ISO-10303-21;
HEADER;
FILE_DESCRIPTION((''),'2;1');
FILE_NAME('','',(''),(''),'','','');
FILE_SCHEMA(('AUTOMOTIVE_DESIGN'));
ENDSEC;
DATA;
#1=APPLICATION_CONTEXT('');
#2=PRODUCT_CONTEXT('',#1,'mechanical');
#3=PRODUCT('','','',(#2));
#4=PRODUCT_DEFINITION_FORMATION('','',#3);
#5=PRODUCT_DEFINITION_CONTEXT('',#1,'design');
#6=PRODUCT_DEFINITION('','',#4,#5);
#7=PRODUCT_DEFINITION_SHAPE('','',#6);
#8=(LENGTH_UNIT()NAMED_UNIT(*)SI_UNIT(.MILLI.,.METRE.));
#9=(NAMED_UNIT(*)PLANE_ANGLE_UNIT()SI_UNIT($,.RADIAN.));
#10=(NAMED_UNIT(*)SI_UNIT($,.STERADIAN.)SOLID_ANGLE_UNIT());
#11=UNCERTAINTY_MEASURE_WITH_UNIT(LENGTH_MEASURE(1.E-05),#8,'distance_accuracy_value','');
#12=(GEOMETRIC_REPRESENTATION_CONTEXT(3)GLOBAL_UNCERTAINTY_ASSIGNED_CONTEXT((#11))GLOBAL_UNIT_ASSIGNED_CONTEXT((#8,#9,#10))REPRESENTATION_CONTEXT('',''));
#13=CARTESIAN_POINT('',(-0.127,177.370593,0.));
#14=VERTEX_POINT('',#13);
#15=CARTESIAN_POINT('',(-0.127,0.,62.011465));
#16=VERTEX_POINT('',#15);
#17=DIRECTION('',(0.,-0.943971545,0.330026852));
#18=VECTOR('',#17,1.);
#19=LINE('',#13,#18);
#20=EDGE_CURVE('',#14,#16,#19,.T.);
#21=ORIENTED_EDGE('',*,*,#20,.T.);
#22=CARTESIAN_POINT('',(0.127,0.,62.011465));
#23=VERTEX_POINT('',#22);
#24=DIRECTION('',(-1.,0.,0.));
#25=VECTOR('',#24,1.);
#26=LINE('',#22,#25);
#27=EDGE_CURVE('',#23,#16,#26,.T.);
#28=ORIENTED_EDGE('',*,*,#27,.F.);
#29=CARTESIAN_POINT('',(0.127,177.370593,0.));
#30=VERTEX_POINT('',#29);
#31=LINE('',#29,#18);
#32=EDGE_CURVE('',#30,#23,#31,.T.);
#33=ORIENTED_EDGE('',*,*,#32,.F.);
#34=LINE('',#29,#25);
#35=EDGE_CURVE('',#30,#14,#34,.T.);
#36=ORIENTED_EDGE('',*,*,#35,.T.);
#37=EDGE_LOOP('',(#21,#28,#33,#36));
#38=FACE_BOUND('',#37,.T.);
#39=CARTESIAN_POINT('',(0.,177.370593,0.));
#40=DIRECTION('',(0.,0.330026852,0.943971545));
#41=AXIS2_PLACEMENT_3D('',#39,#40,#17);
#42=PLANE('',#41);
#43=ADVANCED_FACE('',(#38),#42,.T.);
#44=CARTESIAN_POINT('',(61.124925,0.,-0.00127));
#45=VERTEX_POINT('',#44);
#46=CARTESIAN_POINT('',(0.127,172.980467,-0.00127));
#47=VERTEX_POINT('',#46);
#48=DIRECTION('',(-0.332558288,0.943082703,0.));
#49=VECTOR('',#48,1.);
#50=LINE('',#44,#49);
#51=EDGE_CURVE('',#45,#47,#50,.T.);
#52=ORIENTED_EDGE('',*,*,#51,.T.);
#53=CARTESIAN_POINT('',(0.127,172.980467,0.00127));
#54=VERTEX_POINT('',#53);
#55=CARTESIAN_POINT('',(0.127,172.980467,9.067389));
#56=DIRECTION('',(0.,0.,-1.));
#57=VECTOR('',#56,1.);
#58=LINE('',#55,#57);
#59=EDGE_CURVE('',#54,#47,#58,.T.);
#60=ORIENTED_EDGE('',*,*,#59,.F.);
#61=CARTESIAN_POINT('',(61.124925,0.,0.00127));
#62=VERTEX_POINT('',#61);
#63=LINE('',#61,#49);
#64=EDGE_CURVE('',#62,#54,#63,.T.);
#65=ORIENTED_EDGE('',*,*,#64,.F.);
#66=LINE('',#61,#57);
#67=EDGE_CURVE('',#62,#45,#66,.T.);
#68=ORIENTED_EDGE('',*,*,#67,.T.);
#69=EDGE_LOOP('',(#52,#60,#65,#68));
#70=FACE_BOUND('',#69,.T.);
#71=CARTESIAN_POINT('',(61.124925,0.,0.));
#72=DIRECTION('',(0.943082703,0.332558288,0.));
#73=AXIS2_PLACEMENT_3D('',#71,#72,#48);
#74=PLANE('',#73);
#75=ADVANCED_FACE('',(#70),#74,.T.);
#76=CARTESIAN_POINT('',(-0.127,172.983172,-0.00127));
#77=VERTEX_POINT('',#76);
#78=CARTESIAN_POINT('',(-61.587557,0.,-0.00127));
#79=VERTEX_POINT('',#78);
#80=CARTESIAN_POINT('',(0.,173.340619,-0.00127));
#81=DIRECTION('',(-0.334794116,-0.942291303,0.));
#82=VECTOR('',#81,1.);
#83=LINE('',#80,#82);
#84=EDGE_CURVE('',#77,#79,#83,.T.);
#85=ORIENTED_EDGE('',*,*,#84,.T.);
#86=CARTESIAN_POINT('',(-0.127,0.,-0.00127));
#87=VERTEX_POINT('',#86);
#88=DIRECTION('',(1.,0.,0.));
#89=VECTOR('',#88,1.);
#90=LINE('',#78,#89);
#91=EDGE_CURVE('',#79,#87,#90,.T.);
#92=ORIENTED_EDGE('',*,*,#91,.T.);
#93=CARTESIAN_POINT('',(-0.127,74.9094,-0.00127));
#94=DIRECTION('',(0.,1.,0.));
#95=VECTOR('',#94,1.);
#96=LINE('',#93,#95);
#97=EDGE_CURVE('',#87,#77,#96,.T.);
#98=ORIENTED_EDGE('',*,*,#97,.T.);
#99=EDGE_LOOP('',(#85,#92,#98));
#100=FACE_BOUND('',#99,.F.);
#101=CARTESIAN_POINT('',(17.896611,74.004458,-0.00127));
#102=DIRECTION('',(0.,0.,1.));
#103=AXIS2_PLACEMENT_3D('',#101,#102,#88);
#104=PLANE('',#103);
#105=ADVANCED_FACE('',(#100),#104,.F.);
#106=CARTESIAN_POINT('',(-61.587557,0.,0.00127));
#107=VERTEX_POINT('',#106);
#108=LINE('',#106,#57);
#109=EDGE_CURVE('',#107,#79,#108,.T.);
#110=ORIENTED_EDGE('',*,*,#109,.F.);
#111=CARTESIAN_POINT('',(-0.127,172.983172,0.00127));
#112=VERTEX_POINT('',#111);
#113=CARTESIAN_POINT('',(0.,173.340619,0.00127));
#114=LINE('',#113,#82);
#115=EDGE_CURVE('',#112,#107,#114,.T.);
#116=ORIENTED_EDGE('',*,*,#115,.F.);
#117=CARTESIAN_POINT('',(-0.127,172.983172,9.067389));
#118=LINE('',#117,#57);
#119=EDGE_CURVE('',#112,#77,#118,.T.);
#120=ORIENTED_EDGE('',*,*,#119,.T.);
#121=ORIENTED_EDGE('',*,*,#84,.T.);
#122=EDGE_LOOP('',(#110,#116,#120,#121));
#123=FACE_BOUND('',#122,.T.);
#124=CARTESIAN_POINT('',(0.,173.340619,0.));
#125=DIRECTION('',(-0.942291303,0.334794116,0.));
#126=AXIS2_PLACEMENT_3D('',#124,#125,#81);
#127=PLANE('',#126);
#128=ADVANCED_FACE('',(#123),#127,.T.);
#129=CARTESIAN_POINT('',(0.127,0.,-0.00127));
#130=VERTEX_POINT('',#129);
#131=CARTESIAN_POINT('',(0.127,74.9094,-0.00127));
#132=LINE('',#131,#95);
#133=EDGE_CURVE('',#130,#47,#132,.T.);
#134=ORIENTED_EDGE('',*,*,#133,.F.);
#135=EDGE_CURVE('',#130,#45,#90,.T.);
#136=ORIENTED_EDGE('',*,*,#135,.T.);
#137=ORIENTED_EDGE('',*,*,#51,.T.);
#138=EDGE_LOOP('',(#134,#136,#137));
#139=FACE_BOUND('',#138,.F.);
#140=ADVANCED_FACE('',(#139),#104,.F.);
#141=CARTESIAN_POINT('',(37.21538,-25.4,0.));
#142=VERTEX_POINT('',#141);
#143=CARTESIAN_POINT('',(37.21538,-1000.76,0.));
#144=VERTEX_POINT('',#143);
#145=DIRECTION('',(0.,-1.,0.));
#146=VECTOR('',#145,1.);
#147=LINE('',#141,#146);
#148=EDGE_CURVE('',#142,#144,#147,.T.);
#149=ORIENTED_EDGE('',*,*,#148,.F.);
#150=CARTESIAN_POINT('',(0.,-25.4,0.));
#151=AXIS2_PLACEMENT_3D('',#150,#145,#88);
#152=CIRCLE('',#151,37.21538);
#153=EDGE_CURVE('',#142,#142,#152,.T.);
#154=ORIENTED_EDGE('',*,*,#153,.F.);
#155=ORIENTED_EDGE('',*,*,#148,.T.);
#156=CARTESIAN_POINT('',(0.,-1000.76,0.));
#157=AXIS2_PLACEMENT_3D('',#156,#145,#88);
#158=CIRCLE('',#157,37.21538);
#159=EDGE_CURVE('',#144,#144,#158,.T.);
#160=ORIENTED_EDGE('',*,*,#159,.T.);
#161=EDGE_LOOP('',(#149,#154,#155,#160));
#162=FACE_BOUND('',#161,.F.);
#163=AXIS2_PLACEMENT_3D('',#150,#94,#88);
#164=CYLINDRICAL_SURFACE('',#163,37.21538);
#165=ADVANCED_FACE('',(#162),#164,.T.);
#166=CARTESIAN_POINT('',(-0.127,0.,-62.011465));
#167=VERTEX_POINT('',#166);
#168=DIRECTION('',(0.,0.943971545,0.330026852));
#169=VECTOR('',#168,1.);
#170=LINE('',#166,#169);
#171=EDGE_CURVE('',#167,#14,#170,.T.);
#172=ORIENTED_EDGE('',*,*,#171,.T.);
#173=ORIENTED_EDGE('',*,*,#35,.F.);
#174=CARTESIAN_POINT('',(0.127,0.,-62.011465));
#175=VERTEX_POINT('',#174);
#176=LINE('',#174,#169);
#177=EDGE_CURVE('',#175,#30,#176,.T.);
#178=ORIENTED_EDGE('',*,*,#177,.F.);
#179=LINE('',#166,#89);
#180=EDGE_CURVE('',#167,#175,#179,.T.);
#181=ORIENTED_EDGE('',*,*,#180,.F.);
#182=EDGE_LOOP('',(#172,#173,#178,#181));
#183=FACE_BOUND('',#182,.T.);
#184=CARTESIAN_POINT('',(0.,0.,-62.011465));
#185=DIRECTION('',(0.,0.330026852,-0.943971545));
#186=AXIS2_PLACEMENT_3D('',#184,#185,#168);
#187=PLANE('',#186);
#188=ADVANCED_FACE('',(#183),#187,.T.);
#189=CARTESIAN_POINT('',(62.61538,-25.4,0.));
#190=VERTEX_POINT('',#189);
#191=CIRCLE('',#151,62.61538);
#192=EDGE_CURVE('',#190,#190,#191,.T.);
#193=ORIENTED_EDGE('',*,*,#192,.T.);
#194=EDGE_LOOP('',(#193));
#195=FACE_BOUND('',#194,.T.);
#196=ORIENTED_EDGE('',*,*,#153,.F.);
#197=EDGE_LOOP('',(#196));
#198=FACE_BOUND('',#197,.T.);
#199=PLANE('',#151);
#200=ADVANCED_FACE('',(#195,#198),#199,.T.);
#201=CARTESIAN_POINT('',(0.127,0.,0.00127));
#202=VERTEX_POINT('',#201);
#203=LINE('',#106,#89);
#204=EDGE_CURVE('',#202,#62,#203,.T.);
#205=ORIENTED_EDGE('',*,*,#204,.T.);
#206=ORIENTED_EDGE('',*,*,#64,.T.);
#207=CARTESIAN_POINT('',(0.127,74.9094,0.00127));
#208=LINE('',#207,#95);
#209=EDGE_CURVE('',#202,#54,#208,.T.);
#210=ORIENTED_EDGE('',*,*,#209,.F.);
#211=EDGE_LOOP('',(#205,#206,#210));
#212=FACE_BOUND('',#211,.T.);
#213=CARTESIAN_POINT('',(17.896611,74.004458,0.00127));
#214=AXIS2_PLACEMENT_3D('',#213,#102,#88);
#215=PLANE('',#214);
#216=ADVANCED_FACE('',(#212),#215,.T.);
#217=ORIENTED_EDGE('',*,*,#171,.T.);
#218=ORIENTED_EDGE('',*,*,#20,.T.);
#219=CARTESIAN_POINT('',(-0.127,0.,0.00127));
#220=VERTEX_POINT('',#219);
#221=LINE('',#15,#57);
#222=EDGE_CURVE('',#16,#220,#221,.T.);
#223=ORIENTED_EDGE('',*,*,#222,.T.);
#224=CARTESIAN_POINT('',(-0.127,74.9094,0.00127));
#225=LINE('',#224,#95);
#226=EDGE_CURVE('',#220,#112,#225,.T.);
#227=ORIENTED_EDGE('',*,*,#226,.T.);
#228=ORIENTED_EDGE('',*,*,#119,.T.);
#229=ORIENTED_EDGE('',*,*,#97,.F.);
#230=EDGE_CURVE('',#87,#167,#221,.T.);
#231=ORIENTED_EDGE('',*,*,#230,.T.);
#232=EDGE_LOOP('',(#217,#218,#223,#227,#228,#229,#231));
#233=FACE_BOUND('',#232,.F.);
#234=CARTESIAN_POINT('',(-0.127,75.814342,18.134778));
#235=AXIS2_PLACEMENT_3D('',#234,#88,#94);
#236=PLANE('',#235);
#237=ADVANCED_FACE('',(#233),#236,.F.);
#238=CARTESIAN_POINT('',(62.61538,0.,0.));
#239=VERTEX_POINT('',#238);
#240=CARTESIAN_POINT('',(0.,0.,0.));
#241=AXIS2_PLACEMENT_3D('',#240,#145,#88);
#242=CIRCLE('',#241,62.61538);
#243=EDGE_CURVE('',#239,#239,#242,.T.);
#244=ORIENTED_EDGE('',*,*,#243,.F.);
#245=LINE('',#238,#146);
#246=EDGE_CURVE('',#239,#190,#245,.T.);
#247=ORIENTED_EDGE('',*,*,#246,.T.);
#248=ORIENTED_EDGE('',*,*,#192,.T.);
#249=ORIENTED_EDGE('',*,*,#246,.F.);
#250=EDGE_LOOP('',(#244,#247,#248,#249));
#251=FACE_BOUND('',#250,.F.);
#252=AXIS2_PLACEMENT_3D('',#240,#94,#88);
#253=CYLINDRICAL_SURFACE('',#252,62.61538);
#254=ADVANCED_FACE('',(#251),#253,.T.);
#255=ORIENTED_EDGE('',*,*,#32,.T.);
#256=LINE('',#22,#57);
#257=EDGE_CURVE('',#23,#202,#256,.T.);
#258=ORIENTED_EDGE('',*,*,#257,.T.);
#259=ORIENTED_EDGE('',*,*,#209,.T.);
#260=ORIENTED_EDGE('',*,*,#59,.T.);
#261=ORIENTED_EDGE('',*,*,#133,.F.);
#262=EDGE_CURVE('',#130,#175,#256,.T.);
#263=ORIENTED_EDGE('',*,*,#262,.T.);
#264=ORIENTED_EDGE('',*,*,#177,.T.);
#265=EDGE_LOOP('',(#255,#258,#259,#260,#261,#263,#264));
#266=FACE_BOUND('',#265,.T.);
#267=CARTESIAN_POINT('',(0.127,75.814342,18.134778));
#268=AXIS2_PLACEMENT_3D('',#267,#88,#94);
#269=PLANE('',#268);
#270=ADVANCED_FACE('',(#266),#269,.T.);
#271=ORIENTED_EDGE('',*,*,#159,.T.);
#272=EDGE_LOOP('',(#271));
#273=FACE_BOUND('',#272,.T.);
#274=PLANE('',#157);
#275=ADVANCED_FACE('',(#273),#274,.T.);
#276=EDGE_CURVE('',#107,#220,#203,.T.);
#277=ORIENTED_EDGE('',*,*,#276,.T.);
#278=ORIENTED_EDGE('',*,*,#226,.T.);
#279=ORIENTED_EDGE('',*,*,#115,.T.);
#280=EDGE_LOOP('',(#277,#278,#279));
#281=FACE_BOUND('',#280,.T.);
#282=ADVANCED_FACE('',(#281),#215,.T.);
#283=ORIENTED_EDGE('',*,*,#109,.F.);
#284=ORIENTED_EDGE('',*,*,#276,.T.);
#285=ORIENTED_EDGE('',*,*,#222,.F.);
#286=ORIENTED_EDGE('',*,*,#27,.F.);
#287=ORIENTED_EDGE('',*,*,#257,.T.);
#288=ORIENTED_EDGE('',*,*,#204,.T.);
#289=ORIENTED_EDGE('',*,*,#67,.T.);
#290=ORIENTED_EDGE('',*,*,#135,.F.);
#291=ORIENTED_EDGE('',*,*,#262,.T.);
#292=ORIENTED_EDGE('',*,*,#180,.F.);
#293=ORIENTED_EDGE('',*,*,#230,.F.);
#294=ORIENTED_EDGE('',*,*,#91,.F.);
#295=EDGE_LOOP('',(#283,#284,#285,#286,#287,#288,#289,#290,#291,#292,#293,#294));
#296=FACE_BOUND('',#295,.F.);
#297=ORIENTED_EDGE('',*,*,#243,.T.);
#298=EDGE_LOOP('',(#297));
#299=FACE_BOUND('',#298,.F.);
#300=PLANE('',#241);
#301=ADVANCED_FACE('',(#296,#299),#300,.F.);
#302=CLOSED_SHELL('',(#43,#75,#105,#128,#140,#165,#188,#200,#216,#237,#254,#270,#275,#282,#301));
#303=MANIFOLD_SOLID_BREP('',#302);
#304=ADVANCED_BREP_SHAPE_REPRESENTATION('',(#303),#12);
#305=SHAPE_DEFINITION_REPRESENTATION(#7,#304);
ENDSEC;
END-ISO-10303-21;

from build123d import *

# Parameters (mm, degrees)
F0_R     = 62.61538
F1_DEPTH = 25.4
F4_DEPTH = 0.00127
F5_DEPTH = 0.127
F6_R     = 37.21538
F7_DEPTH = 975.36


with BuildPart() as f1:
    # F0 (on Front) → F1 (new body)
    with BuildSketch(Plane.XZ):
        Circle(F0_R)
    extrude(amount=F1_DEPTH)

    # F3 (on Top) → F4 (join, symmetric)
    with BuildSketch(Plane.XY):
        Polygon((61.124925, 0), (0, 173.340619), (0, 0), align=None)
        Polygon((0, 0), (0, 173.340619), (-61.587557, 0), align=None)
    extrude(amount=F4_DEPTH, both=True)

    # F2 (on Right) → F5 (join, symmetric)
    with BuildSketch(Plane.YZ):
        Polygon((0, 62.011465), (0, 0), (177.370593, 0), align=None)
        Polygon((177.370593, 0), (0, 0), (0, -62.011465), align=None)
    extrude(amount=F5_DEPTH, both=True)

    # F6 (on face) → F7 (join)
    with BuildSketch(Plane.XZ.offset(25.4)):
        Circle(F6_R)
    extrude(amount=F7_DEPTH)


solid = f1.part
